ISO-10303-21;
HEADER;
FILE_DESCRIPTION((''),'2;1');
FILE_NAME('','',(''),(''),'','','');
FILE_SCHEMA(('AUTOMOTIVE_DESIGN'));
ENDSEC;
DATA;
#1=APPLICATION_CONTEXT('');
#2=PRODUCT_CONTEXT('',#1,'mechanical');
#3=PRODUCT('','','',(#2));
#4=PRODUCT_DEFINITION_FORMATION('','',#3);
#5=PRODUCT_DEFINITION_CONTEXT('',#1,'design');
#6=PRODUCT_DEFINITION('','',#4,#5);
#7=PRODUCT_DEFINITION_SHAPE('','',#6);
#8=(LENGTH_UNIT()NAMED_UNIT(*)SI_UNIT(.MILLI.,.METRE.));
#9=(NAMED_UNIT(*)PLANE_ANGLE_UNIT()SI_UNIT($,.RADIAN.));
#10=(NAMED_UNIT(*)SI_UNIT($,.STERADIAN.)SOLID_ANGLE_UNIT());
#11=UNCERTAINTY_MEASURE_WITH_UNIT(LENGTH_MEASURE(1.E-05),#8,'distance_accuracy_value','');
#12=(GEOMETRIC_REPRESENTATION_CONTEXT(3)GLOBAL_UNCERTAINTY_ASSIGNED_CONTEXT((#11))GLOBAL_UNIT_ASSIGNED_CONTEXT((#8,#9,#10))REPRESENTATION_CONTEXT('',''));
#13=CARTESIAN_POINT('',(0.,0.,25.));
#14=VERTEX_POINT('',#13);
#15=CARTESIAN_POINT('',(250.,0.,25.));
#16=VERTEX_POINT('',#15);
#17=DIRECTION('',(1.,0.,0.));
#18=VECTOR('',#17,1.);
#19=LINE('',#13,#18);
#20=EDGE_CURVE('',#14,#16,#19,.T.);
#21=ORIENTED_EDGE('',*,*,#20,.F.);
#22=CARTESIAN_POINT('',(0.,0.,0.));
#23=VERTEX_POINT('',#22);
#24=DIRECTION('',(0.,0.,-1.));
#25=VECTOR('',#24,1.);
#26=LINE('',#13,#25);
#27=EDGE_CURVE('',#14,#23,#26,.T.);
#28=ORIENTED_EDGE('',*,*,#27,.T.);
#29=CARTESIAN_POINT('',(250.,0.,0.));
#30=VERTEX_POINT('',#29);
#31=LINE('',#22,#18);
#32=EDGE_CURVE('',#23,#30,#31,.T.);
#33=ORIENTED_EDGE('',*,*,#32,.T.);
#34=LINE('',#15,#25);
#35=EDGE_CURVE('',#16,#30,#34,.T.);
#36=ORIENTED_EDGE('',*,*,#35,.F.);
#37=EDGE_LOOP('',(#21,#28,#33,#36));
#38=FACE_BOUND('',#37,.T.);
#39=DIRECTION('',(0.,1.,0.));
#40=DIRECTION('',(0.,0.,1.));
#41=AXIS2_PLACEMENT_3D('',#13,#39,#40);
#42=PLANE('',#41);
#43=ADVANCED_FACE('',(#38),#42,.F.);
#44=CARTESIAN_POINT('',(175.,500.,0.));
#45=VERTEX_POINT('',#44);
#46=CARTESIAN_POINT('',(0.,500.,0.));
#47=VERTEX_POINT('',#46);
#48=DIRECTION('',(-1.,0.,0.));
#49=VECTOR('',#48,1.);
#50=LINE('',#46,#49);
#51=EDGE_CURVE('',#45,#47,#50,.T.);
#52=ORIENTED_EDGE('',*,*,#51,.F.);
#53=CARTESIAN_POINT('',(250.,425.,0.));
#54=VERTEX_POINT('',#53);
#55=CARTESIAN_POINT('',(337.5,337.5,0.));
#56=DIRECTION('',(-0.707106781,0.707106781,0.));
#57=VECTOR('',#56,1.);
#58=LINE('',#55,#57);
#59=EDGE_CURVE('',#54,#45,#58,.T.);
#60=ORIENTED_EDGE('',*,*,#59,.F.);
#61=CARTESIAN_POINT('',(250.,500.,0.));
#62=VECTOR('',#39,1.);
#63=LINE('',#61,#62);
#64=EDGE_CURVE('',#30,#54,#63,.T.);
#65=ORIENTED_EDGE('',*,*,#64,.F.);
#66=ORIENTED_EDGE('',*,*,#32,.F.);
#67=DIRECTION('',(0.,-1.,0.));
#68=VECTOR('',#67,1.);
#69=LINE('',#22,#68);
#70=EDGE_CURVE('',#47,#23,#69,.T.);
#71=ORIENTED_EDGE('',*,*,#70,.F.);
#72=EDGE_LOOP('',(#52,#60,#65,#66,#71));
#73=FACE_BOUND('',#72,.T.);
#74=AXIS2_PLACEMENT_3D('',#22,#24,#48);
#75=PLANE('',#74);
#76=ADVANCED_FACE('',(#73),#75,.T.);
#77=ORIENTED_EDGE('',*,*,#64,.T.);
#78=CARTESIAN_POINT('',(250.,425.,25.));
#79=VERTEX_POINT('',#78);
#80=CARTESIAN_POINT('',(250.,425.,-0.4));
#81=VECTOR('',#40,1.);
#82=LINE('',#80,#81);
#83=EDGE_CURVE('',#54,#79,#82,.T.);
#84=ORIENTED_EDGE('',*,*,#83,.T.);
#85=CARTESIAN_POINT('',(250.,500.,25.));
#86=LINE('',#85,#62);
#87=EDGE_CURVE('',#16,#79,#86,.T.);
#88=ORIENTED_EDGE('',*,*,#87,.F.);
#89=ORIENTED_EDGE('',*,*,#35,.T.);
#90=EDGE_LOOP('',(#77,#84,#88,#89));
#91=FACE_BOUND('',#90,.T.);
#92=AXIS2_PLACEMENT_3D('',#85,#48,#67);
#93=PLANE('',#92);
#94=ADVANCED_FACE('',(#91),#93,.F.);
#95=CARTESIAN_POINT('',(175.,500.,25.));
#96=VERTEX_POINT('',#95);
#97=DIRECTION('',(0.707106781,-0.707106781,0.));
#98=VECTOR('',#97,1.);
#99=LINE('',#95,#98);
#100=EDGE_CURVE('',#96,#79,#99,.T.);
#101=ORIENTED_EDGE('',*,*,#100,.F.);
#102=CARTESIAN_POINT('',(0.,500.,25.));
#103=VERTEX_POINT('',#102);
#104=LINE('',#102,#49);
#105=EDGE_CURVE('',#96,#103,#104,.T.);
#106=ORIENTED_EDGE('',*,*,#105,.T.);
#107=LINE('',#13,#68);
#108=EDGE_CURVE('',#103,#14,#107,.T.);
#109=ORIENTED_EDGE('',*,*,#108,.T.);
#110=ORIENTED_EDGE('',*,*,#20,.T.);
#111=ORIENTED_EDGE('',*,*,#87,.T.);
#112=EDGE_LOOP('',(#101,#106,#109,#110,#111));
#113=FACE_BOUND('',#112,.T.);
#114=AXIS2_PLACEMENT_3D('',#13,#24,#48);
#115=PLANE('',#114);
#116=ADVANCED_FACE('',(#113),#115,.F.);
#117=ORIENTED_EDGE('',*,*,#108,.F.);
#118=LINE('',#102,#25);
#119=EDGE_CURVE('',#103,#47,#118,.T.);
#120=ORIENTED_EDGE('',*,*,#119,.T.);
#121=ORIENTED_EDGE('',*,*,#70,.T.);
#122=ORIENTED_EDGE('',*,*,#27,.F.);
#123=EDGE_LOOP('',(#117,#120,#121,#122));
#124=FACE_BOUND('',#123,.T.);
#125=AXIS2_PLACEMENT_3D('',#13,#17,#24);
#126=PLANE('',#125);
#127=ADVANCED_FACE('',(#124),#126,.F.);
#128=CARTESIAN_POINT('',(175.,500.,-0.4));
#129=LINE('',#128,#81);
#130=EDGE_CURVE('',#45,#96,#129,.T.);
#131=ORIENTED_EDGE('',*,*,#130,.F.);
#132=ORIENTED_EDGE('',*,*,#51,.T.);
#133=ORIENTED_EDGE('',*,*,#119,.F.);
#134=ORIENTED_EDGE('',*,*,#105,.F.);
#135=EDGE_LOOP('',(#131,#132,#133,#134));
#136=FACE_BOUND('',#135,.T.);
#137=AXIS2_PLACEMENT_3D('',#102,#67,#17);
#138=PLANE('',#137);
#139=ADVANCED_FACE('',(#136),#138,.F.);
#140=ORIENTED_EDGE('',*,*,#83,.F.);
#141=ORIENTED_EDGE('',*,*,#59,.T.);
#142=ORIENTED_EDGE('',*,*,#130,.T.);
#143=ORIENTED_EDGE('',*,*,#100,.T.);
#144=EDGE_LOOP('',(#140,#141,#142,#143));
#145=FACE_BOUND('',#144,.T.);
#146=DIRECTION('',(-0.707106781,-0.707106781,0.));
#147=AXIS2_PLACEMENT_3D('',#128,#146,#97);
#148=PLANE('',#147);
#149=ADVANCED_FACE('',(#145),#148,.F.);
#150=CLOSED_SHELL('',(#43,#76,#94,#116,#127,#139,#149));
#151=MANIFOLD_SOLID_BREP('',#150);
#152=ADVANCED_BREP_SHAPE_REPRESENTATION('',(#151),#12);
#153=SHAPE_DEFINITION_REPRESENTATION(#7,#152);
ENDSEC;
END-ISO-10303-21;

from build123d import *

# Parameters (mm, degrees)
SKETCH3_W           = 250
SKETCH3_H           = 500
BOSS_EXTRUDE2_DEPTH = 25
CUT_EXTRUDE1_DEPTH  = 25.4


with BuildPart() as part:
    # Sketch3 → Boss-Extrude2 (new body)
    with BuildSketch(Plane.XY):
        with Locations((125, 250)):
            Rectangle(SKETCH3_W, SKETCH3_H)
    extrude(amount=BOSS_EXTRUDE2_DEPTH)

    # Sketch4 → Cut-Extrude1 (cut)
    with BuildSketch(Plane.XY.offset(25)):
        Polygon((175, 500), (250, 425), (250, 500), align=None)
    extrude(amount=-CUT_EXTRUDE1_DEPTH, mode=Mode.SUBTRACT)


solid = part.part
